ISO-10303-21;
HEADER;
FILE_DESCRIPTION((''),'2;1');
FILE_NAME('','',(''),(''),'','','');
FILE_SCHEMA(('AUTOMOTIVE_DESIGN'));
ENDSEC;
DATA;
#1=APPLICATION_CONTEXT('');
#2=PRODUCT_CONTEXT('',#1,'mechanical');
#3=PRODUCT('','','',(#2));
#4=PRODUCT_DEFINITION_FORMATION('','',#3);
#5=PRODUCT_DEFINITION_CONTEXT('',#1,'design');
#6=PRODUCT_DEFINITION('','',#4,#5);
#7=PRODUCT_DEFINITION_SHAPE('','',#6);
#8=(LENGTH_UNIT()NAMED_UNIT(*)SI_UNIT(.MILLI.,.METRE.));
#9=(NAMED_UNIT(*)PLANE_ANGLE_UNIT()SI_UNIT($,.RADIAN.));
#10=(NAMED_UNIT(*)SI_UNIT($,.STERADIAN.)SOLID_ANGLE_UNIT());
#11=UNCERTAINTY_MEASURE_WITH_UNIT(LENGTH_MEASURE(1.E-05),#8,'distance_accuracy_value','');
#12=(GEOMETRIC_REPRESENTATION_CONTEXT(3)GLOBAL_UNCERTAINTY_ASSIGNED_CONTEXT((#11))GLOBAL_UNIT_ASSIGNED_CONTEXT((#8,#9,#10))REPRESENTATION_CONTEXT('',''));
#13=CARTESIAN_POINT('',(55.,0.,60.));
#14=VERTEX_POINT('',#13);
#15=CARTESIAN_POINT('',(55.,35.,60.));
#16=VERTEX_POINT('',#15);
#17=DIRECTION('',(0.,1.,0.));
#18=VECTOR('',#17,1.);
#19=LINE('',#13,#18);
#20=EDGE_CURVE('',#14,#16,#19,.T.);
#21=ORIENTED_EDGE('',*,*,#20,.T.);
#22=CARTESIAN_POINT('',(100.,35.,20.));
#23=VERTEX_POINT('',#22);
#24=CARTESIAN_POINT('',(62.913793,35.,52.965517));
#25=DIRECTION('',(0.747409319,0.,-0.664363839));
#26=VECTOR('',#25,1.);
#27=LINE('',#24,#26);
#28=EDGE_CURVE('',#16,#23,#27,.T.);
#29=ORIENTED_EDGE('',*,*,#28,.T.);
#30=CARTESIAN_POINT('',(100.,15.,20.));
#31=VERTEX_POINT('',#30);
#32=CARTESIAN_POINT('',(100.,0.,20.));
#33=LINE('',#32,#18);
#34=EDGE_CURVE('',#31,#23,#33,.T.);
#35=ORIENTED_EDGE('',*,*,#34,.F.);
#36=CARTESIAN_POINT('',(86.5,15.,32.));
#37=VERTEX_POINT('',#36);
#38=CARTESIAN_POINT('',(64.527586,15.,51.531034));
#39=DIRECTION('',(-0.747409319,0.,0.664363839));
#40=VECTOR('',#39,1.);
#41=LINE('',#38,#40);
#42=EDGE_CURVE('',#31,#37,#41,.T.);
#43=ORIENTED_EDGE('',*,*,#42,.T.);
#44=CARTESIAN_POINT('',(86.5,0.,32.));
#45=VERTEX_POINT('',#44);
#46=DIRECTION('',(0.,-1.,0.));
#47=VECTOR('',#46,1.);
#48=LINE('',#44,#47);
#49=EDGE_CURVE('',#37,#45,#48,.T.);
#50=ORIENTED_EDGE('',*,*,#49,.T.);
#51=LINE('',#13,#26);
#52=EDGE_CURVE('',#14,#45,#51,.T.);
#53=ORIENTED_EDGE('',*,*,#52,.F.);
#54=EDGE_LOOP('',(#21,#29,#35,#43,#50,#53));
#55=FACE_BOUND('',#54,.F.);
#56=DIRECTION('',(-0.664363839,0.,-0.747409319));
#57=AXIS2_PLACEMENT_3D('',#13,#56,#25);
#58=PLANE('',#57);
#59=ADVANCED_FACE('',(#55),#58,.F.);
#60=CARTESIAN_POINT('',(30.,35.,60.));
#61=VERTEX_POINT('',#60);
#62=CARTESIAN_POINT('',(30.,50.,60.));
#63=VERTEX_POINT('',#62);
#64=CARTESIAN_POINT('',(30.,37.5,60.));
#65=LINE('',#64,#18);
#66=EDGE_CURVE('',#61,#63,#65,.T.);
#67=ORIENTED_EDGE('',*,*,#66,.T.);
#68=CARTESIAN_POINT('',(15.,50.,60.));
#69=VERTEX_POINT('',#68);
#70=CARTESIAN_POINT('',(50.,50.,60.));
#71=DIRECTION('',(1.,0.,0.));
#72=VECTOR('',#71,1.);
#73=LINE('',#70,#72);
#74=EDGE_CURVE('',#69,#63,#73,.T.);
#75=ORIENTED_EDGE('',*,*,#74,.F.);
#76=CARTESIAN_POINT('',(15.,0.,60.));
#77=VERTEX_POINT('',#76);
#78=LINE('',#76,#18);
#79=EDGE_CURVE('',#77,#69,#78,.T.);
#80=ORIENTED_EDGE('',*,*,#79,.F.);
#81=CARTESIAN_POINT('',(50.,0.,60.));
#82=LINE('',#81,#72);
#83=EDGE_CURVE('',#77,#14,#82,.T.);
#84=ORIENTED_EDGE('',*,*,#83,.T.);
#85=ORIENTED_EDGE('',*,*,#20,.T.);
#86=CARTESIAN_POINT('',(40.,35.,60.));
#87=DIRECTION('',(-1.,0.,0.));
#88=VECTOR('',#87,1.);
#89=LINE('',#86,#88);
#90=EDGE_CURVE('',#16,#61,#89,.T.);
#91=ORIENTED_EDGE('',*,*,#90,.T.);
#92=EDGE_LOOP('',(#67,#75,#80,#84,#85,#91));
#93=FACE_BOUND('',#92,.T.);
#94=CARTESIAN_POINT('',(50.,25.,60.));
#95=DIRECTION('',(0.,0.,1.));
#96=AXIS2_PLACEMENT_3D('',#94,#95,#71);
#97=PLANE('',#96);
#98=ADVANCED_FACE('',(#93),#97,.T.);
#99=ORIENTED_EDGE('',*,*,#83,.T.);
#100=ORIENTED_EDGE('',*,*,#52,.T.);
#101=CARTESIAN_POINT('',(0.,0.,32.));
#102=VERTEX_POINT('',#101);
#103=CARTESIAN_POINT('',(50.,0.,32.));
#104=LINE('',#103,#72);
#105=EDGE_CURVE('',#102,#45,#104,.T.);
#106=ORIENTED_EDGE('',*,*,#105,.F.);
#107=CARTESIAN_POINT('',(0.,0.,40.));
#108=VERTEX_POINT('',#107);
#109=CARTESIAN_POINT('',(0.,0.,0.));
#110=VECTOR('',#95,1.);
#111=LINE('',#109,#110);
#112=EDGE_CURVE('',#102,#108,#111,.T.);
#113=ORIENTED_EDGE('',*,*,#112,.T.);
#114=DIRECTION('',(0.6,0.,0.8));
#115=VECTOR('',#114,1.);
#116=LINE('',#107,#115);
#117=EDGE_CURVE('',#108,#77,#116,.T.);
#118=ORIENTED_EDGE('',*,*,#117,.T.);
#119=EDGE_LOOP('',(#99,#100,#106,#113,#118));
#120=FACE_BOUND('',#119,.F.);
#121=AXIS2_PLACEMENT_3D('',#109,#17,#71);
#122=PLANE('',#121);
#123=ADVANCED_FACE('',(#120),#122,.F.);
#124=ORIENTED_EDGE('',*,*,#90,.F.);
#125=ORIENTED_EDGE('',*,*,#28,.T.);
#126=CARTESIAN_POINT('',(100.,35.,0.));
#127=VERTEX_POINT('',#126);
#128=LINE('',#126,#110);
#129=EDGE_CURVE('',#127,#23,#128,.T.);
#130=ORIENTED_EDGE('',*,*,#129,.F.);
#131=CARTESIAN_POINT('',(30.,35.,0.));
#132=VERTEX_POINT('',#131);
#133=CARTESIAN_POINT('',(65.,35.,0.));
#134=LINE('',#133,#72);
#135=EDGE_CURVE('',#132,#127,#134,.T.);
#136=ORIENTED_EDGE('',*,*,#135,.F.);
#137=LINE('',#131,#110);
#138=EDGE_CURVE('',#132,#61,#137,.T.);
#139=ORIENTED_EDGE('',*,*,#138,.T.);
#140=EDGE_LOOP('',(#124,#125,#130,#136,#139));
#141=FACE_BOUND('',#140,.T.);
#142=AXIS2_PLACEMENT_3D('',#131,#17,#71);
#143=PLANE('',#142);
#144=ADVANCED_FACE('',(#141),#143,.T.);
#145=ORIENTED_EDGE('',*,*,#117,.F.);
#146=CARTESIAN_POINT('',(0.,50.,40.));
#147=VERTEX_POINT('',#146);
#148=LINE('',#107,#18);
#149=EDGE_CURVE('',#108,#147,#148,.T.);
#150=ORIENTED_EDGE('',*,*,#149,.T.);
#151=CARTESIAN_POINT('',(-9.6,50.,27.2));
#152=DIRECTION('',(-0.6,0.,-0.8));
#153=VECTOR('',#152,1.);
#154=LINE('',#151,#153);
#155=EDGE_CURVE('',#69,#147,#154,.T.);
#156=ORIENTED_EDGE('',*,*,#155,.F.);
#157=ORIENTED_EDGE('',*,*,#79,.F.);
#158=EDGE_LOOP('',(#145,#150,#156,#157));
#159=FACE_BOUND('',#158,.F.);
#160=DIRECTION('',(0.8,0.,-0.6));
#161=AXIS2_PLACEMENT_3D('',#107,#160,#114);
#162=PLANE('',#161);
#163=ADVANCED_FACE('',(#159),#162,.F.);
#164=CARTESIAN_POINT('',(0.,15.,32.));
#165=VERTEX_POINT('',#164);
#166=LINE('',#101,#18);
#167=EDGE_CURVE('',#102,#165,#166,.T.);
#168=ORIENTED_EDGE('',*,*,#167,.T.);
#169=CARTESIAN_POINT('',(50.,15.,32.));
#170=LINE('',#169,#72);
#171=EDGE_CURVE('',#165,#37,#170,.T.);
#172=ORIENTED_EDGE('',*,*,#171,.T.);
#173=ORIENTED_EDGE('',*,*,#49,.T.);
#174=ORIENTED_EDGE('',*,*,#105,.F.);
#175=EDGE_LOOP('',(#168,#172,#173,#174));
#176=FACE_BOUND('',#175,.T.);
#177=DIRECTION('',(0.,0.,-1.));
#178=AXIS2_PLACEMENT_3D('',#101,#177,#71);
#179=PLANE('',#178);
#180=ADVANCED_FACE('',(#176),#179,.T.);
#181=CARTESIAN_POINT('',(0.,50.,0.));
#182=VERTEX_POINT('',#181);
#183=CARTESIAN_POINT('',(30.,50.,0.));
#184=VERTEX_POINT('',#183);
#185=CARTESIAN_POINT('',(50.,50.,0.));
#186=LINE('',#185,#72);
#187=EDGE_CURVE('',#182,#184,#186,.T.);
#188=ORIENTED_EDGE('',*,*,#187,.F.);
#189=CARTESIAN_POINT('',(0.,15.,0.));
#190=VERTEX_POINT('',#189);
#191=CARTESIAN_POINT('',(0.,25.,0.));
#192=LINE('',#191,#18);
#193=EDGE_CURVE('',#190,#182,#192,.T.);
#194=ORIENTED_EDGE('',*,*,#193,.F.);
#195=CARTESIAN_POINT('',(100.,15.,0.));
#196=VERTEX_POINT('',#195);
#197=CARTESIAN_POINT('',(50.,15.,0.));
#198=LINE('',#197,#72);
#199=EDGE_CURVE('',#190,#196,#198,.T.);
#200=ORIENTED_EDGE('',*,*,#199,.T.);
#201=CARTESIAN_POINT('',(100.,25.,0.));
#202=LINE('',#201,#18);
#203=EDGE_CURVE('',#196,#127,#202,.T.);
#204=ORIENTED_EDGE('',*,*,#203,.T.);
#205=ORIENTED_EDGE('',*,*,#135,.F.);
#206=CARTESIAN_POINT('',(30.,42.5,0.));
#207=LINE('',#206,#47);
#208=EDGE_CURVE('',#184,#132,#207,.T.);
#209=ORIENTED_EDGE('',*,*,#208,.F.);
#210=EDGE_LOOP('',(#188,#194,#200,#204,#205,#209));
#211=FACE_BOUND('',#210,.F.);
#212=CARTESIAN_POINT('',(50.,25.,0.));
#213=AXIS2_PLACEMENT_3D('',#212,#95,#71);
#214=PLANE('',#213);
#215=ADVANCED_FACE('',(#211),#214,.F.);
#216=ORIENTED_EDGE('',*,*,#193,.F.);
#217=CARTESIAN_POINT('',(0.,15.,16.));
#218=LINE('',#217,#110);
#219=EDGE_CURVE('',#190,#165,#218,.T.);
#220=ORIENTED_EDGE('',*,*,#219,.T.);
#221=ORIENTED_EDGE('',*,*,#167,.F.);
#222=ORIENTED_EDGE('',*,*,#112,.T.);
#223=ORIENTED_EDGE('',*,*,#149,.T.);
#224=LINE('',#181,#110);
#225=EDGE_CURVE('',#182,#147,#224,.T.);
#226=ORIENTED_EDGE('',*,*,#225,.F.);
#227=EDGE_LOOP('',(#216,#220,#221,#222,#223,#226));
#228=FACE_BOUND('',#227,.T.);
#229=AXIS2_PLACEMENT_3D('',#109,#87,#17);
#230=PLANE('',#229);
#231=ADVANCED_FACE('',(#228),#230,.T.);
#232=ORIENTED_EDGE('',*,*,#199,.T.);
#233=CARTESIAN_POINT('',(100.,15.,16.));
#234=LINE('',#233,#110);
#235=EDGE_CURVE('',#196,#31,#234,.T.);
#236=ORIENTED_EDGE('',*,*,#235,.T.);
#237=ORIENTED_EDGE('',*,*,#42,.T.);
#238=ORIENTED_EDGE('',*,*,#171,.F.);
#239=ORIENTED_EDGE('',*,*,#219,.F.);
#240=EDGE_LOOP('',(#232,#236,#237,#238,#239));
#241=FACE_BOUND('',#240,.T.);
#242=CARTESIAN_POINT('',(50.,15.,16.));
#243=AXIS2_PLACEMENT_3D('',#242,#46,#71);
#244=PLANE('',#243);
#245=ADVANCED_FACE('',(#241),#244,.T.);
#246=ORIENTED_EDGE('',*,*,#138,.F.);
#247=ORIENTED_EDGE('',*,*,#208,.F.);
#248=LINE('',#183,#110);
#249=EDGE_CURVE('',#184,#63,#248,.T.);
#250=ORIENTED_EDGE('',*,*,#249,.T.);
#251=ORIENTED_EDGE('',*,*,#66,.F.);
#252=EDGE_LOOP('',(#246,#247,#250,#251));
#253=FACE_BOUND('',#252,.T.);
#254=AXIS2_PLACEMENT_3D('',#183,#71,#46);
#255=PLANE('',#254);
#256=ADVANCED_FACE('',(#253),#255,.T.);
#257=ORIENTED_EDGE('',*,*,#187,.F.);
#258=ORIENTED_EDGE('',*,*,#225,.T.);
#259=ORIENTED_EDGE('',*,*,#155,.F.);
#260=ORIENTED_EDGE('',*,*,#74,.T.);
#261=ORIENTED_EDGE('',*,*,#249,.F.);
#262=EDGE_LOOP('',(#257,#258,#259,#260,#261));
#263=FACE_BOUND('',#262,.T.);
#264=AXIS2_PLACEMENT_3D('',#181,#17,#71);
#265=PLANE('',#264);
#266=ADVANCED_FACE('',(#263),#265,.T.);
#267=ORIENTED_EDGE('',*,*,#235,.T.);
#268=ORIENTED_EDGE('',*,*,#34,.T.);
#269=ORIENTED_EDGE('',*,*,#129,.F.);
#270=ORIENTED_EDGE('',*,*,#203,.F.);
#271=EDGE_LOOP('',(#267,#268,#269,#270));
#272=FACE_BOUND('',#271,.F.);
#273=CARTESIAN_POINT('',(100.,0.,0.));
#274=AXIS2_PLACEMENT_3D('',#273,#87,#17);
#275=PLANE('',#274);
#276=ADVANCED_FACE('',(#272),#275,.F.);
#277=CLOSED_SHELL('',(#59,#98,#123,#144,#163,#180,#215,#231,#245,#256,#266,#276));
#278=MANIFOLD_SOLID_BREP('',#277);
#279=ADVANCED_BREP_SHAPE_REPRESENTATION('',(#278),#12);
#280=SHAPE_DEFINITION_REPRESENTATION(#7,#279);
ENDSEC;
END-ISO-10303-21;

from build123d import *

# Parameters (mm, degrees)
F0_W     = 100
F0_H     = 50
F1_DEPTH = 60
F3_DEPTH = 50.001
F4_W     = 100
F4_H     = 32
F5_DEPTH = 15
F6_W     = 70
F6_H     = 15
F7_DEPTH = 60.001


with BuildPart() as f1:
    # F0 (on Top) → F1 (new body)
    with BuildSketch(Plane.XY):
        with Locations((50, 25)):
            Rectangle(F0_W, F0_H)
    extrude(amount=F1_DEPTH)

    # F2 (on face) → F3 (cut, through all)
    with BuildSketch(Plane.XZ):
        Polygon((15, 60), (0, 60), (0, 40), align=None)
        Polygon((55, 60), (100, 20), (100, 60), align=None)
    extrude(amount=-F3_DEPTH, mode=Mode.SUBTRACT)

    # F4 (on face) → F5 (cut)
    with BuildSketch(Plane.XZ):
        with Locations((50, 16)):
            Rectangle(F4_W, F4_H)
    extrude(amount=-F5_DEPTH, mode=Mode.SUBTRACT)

    # F6 (on face) → F7 (cut, through all)
    with BuildSketch(Plane(origin=(0, 0, 0), x_dir=(1, 0, 0), z_dir=(0, 0, -1))):
        with Locations((65, -42.5)):
            Rectangle(F6_W, F6_H)
    extrude(amount=-F7_DEPTH, mode=Mode.SUBTRACT)


solid = f1.part
